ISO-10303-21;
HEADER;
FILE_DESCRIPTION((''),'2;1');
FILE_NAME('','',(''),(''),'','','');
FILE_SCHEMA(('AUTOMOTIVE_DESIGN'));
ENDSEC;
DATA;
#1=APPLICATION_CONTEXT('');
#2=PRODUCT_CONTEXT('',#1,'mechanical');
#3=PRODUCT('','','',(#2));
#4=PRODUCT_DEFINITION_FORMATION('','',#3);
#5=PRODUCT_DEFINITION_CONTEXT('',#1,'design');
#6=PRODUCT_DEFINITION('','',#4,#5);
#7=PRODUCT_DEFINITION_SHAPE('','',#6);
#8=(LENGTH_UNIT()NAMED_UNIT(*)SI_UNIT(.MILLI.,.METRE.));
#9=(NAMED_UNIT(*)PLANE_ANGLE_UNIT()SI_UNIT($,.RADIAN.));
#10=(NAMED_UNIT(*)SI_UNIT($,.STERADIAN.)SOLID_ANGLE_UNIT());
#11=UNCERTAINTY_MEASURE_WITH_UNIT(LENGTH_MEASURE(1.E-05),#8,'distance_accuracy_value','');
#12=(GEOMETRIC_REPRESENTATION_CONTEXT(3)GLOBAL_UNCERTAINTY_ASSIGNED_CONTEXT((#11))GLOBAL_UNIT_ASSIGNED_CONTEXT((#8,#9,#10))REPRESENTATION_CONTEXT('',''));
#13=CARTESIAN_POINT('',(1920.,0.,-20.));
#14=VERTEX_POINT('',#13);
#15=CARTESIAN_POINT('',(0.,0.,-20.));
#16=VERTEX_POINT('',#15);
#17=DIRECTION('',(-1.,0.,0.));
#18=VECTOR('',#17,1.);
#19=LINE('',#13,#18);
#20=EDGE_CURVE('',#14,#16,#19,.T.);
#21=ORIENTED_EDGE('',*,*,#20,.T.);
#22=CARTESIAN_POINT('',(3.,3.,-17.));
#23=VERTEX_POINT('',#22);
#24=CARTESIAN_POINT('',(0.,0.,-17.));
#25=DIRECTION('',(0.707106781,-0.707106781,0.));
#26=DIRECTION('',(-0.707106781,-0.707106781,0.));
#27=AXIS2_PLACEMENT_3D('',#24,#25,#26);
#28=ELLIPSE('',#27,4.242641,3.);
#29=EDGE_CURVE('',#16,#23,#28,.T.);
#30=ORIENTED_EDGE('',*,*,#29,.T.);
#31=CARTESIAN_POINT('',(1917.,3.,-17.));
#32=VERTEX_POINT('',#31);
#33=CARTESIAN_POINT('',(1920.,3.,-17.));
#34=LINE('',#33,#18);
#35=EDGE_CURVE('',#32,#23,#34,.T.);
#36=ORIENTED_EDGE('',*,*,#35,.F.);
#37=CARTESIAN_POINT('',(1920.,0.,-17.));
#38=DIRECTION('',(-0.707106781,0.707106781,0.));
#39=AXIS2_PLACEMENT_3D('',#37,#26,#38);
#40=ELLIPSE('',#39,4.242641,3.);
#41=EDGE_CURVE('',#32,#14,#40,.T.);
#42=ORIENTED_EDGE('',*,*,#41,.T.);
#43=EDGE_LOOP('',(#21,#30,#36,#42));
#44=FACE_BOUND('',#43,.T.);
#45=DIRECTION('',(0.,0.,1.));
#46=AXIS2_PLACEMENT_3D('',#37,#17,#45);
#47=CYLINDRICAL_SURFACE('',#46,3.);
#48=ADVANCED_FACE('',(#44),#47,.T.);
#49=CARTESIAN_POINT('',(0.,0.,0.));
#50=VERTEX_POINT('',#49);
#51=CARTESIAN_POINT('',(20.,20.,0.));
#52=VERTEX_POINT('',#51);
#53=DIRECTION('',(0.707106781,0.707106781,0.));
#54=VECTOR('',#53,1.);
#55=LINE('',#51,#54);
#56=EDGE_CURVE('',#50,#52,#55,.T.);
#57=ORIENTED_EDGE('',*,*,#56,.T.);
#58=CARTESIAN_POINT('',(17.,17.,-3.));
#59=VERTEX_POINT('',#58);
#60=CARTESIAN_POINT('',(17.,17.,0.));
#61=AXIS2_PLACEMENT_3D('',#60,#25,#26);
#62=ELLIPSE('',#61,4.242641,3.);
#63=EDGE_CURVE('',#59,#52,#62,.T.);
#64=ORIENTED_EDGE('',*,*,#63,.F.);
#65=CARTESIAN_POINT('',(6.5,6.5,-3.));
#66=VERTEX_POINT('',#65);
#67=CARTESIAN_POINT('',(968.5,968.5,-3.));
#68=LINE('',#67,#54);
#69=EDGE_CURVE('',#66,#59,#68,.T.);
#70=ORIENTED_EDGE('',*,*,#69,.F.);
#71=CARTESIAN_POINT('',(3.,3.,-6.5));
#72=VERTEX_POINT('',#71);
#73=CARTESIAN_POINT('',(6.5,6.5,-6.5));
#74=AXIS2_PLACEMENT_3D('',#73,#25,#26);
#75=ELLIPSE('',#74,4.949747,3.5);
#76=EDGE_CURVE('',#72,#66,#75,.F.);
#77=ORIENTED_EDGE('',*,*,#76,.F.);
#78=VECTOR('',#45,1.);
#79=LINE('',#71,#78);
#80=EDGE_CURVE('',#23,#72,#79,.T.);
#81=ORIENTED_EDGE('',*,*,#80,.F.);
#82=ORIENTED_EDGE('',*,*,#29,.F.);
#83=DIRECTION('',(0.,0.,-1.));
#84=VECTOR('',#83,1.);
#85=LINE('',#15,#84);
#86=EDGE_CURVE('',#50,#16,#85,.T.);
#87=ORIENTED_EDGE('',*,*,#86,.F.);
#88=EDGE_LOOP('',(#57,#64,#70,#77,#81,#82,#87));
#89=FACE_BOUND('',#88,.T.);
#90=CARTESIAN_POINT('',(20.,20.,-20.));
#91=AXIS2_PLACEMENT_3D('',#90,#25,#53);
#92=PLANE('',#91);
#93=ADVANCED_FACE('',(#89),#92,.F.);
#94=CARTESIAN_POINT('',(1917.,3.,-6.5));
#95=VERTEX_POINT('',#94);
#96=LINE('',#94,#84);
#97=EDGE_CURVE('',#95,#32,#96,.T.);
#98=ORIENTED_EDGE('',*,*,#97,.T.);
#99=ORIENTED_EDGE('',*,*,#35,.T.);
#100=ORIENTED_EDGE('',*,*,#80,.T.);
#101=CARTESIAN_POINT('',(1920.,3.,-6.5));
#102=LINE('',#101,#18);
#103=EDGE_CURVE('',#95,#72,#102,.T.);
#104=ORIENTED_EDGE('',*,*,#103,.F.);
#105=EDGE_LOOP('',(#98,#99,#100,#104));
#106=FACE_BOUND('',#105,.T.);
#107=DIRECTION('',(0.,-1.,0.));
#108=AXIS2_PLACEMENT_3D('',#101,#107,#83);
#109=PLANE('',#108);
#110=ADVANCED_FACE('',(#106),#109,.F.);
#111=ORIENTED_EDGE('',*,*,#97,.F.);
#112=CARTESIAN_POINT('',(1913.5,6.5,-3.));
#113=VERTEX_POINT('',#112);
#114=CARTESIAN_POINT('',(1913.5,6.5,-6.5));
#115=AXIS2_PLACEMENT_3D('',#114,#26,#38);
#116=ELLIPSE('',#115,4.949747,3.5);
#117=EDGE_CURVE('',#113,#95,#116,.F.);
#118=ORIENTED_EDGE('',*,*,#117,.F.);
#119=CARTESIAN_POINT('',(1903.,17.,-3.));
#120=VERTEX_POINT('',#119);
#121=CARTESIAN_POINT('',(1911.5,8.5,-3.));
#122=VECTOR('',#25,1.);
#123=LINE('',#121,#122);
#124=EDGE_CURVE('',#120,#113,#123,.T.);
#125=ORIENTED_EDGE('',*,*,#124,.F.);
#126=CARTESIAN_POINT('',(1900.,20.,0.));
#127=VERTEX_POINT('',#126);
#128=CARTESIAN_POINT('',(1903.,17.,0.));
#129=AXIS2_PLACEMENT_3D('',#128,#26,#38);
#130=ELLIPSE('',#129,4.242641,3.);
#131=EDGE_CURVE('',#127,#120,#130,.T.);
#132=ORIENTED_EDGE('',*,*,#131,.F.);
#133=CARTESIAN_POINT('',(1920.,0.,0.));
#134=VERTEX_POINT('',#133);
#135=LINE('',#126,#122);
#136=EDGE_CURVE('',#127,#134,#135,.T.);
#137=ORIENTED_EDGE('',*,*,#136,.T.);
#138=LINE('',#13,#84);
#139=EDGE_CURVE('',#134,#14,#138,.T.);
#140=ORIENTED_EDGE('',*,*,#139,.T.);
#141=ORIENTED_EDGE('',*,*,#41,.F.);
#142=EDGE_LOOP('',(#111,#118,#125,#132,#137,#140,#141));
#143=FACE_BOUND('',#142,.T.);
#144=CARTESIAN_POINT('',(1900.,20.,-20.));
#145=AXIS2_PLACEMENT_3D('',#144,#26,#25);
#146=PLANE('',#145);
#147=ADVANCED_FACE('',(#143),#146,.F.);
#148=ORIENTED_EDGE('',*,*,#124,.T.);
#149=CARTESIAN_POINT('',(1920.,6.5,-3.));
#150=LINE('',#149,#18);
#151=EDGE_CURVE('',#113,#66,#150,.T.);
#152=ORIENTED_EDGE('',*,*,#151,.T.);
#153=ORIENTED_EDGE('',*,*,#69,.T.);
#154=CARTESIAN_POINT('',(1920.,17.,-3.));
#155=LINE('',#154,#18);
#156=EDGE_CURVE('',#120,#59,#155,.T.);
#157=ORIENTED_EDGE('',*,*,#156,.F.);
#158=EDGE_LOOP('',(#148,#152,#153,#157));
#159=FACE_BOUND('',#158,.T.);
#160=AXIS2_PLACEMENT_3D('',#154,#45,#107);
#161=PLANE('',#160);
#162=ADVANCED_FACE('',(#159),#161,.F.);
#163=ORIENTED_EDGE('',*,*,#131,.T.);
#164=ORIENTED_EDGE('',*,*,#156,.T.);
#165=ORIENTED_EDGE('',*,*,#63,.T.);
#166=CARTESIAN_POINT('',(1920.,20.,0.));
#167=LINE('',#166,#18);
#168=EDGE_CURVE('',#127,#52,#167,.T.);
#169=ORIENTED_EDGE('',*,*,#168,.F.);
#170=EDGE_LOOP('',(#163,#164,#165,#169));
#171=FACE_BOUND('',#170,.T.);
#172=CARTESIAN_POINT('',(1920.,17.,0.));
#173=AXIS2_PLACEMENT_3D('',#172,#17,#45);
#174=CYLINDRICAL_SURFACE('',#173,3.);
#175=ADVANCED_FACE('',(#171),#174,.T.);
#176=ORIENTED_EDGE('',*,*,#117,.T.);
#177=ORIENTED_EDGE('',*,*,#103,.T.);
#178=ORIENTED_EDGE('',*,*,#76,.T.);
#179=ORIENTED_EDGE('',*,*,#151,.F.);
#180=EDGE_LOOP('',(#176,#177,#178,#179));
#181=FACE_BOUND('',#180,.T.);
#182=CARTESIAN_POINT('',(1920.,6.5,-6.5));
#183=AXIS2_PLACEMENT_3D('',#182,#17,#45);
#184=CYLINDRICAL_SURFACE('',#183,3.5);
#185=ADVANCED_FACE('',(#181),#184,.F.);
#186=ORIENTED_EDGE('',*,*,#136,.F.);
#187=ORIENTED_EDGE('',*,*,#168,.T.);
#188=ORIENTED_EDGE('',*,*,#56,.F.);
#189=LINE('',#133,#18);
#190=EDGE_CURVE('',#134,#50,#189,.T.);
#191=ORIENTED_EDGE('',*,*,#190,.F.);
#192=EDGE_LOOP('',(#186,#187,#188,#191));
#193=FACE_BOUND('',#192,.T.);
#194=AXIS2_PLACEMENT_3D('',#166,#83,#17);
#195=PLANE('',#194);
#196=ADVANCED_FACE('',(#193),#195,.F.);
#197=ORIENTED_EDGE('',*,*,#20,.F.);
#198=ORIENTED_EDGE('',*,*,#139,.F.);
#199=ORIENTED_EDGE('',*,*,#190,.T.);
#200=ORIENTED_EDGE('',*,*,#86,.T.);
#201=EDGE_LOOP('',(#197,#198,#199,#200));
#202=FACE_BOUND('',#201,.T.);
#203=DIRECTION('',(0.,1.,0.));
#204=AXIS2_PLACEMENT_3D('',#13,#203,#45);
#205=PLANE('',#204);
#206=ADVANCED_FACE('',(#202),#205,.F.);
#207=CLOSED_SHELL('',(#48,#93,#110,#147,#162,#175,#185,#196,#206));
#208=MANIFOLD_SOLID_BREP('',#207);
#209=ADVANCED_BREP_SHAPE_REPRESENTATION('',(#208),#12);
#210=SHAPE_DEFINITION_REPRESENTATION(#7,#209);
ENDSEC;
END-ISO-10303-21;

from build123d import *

# Parameters (mm, degrees)
L_ANGLE_EQUAL_20X20X3_2_DEPTH = 1920
CUT_EXTRUDE1_DEPTH            = 1921.208322032


with BuildPart() as part:
    # Sketch16 → L angle (equal) 20X20X3(2) (new body)
    with BuildSketch(Plane(origin=(0, 0, 0), x_dir=(0, 0, -1), z_dir=(1, 0, 0))):
        with BuildLine():
            Line((0, 20), (0, 0))
            Line((0, 0), (20, 0))
            ThreePointArc((20, 0), (19.121320344, 2.121320344), (17, 3))
            Line((17, 3), (6.5, 3))
            ThreePointArc((6.5, 3), (4.025126266, 4.025126266), (3, 6.5))
            Line((3, 6.5), (3, 17))
            ThreePointArc((3, 17), (2.121320344, 19.121320344), (0, 20))
        make_face()
    extrude(amount=L_ANGLE_EQUAL_20X20X3_2_DEPTH)

    # Sketch14 → Cut-Extrude1 (cut, through all)
    with BuildSketch(Plane.XY):
        Polygon((1920, 0), (1920, 20), (1900, 20), align=None)
        Polygon((0, 20), (0, 0), (20, 20), align=None)
    extrude(amount=-CUT_EXTRUDE1_DEPTH, mode=Mode.SUBTRACT)


solid = part.part
